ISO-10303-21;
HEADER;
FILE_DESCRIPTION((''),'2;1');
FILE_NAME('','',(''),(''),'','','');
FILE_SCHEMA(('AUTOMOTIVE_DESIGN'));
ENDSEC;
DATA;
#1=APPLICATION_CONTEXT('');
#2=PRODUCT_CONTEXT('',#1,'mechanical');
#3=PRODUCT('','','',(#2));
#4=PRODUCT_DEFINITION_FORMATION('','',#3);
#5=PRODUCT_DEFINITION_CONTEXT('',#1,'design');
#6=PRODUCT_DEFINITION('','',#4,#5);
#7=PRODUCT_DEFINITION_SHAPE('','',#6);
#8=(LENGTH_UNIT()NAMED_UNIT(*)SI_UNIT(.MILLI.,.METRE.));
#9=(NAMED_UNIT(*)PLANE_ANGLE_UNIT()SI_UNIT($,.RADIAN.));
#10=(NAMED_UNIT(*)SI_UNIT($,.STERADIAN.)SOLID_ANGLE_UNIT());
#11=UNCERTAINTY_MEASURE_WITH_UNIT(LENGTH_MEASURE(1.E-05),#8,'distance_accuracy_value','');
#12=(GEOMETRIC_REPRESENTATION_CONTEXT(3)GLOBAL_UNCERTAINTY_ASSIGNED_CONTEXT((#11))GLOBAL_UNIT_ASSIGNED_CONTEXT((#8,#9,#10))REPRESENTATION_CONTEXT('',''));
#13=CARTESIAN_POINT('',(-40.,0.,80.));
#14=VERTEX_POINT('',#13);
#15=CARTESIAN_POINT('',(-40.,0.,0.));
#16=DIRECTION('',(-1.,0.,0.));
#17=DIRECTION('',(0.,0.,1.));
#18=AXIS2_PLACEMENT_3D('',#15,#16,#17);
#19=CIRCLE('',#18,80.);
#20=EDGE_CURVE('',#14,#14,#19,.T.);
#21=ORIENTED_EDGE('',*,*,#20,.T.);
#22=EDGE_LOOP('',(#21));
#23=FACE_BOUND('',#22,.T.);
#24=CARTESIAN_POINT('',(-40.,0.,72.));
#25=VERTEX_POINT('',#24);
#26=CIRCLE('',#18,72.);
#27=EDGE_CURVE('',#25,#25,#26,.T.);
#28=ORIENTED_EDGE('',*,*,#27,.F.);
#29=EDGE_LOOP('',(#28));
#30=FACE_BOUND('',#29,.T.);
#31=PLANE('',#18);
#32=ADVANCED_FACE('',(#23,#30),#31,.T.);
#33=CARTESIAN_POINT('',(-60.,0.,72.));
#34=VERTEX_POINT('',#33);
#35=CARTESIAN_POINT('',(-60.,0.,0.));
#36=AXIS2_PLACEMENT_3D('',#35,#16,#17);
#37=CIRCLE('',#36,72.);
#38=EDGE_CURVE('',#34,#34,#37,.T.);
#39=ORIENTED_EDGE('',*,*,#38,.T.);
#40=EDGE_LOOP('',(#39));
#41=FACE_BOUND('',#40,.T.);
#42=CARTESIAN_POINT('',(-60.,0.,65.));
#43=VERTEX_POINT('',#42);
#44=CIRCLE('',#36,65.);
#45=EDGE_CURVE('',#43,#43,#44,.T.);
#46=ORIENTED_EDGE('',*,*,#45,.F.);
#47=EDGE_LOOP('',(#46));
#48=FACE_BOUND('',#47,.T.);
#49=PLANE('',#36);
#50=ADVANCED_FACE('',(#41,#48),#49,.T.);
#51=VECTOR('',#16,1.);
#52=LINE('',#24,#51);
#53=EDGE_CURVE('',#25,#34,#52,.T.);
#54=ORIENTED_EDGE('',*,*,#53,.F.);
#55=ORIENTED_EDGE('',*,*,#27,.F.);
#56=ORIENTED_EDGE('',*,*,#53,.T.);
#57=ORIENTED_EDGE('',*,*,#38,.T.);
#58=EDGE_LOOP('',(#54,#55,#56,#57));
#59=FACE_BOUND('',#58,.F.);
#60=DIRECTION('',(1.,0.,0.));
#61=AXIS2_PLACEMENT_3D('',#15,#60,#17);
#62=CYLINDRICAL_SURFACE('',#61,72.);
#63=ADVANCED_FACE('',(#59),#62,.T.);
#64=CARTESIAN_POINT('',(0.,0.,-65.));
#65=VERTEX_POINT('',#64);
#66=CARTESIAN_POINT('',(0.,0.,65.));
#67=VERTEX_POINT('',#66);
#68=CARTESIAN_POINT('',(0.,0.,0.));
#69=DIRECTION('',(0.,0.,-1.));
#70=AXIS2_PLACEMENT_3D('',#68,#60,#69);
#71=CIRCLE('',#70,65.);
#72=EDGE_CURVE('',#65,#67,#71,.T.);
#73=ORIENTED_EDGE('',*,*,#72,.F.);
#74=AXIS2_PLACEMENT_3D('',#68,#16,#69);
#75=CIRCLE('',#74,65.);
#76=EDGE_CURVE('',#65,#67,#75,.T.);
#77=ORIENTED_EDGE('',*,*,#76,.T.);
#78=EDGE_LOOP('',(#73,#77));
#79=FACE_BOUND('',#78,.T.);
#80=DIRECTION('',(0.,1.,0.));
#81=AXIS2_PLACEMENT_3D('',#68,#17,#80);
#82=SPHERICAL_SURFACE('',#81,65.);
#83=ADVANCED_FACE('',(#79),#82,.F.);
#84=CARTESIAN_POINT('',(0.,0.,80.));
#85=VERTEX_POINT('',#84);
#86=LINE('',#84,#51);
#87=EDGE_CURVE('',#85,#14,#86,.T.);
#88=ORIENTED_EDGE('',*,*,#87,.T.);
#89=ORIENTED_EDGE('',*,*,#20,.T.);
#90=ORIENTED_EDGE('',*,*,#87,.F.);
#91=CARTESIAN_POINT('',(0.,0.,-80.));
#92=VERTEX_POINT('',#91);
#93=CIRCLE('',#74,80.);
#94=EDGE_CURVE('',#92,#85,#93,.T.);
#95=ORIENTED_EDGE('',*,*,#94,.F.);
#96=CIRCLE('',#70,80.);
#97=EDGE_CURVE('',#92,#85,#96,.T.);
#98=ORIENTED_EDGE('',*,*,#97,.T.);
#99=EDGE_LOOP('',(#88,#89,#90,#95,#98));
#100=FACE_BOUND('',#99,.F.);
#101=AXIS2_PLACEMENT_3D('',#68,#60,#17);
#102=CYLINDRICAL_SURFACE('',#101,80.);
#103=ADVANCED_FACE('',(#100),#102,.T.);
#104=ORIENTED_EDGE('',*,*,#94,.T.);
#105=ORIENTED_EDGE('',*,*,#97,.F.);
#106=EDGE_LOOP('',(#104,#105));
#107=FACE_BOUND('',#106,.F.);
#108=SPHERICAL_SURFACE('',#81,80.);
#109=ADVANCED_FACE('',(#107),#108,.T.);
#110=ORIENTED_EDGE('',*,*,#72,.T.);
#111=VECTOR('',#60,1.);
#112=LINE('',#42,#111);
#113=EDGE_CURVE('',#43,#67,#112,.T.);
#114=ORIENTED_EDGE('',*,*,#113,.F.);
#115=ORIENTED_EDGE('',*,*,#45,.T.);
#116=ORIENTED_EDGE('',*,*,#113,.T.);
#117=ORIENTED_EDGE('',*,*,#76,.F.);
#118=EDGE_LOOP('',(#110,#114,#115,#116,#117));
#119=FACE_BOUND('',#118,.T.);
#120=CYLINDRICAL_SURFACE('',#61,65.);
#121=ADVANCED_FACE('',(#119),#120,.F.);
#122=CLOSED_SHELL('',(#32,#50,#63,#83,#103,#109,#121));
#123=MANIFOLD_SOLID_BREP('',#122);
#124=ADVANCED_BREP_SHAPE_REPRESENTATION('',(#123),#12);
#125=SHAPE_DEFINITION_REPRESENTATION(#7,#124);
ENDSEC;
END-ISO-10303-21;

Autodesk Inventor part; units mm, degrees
ref_plane "YZ Plane" through (0, 0, 0) normal (1, 0, 0) x (0, 1, 0)
ref_plane "XZ Plane" through (0, 0, 0) normal (0, 1, 0) x (-1, 0, 0)
ref_plane "XY Plane" through (0, 0, 0) normal (0, 0, 1) x (1, 0, 0)
sketch "Sketch1" plane through (0, 0, 0) normal (1, 0, 0) x (0, 1, 0)
  arc A0 (0, -80) -> (0, 80) centre (0, 0) ccw
  arc A1 (0, -65) -> (0, 65) centre (0, 0) ccw
  line L0 (0, 80) -> (0, 65)
  line L1 (0, -65) -> (0, -80)
  dimension "d0" = 160
  dimension "d1" = 130
revolve "Revolution1" add sketch "Sketch1" angle 180 about axis through (0, 0, 80) along (0, 0, -1)
sketch "Sketch2" plane through (0, 0, 0) normal (-1, 0, 0) x (0, 0, 1)
  circle A0 centre (0, 0) radius 80
  circle A1 centre (0, 0) radius 65
extrude "Extrusion1" add sketch "Sketch2" along normal blind 40
sketch "Sketch4" plane through (-40, 0, 0) normal (-1, 0, 0) x (0, 0, 1)
  circle A0 centre (0, 0) radius 65
  circle A1 centre (0, 0) radius 72
  dimension "d8" = 144
  dimension "d9" = 130
extrude "Extrusion3" add sketch "Sketch4" along normal blind 20
thread "Thread1" size "M50x4" class "6g" standard "ANSI Metric M Profile" length 20
properties part number "Bacteria Membrane Half 2"
